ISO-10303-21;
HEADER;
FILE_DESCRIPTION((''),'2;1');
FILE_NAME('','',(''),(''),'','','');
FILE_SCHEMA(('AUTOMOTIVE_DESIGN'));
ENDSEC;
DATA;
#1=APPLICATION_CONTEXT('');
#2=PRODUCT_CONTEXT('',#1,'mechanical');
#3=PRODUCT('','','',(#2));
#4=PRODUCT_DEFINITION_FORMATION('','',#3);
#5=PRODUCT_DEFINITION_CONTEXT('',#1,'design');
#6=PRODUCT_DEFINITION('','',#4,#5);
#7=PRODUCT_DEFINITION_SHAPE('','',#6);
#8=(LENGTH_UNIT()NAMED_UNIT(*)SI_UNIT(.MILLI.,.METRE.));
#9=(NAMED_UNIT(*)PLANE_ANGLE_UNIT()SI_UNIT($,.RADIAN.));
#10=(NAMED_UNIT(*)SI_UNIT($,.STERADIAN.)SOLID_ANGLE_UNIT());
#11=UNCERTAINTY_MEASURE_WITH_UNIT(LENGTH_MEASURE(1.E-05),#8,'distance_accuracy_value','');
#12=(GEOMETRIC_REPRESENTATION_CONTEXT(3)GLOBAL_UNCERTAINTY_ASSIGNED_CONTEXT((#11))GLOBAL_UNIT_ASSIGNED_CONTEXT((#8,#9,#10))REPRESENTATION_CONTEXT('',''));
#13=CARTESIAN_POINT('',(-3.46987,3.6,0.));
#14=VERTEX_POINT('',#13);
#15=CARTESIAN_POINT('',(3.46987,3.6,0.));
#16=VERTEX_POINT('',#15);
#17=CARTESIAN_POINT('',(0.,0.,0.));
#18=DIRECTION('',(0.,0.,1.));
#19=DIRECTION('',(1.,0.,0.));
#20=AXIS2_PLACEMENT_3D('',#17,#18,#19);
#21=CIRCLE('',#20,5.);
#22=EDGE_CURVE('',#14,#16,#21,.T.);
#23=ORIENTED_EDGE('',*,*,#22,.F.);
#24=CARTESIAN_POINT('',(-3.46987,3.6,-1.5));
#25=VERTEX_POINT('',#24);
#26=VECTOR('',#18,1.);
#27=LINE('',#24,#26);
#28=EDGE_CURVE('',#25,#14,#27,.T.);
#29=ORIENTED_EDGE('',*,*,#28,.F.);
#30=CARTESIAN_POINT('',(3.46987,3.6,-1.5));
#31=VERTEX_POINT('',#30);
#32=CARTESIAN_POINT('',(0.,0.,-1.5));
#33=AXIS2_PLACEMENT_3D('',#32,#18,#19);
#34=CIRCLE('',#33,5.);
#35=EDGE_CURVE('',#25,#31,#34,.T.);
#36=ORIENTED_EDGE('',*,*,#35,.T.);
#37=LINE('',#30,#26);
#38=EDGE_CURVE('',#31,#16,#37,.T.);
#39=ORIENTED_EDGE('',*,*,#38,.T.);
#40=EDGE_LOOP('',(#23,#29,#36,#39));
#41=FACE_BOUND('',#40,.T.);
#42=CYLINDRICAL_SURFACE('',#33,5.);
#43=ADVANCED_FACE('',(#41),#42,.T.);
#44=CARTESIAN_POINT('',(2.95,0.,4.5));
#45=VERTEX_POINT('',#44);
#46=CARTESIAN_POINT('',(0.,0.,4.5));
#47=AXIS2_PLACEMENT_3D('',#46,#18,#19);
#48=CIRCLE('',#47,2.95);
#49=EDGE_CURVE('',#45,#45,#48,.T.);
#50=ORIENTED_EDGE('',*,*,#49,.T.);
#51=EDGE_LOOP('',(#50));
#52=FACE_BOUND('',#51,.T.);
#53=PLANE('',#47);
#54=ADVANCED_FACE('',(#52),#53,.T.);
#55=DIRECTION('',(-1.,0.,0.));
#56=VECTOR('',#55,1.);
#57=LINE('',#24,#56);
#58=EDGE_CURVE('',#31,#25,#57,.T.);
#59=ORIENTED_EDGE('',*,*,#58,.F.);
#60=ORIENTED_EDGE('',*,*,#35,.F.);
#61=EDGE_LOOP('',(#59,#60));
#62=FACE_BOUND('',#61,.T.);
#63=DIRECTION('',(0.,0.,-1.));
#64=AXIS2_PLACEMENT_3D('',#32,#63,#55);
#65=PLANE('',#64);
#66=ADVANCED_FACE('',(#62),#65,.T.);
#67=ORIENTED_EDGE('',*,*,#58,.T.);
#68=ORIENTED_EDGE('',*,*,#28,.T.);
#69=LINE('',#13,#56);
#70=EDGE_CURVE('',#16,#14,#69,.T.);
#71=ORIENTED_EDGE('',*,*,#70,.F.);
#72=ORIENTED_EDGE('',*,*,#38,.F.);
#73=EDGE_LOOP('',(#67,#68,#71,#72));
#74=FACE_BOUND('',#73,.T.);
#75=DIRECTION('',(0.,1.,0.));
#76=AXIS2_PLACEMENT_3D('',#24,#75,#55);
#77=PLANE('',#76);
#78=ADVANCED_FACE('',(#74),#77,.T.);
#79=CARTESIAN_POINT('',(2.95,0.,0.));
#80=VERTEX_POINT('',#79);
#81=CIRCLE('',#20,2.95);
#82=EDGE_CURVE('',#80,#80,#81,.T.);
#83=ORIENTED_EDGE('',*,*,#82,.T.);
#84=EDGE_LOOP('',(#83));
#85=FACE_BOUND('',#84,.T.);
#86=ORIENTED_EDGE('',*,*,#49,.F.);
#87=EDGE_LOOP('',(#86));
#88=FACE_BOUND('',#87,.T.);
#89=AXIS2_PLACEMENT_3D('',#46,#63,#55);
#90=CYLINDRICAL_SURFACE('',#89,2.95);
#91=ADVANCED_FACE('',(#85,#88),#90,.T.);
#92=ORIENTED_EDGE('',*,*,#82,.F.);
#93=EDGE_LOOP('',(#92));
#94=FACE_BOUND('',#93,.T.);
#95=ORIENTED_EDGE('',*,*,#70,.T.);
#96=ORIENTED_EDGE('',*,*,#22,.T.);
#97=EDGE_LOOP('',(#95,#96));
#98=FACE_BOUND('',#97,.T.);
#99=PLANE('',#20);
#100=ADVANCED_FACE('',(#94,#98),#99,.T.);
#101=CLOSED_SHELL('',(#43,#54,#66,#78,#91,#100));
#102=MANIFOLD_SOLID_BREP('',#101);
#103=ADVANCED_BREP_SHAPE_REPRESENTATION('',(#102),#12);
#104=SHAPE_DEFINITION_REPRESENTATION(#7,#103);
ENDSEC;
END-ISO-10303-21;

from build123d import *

# Parameters (mm, degrees)
SKETCH1_R           = 2.95
BOSS_EXTRUDE1_DEPTH = 4.5
SKETCH1_5_R         = 2.95
BOSS_EXTRUDE2_DEPTH = 1.5
BOSS_EXTRUDE3_START = 1.5
SKETCH3_R           = 2.95
BOSS_EXTRUDE3_DEPTH = 1.5


with BuildPart() as part:
    # Sketch1 → Boss-Extrude1 (new body)
    with BuildSketch(Plane.XY):
        Circle(SKETCH1_R)
    extrude(amount=BOSS_EXTRUDE1_DEPTH)


with BuildPart() as body_2:
    # Sketch1<5> → Boss-Extrude2 (new body)
    with BuildSketch(Plane.XY):
        with BuildLine():
            Line((-3.469870315, 3.6), (3.469870315, 3.6))
            ThreePointArc((3.469870315, 3.6), (0, -5), (-3.469870315, 3.6))
        make_face()
        Circle(SKETCH1_5_R, mode=Mode.SUBTRACT)
    extrude(amount=-BOSS_EXTRUDE2_DEPTH)


with BuildPart() as boss_extrude3_tool:
    # Sketch3 → Boss-Extrude3 (new body)
    with BuildSketch(Plane(origin=(0, 0, 0), x_dir=(-1, 0, 0), z_dir=(0, 0, -1)).offset(BOSS_EXTRUDE3_START)):
        Circle(SKETCH3_R)
    extrude(amount=-BOSS_EXTRUDE3_DEPTH)


with BuildPart() as part_1:
    add(part.part)


with BuildPart() as part_2:
    # Boss-Extrude3: joined with boss_extrude3_tool
    add(part_1.part.fuse(boss_extrude3_tool.part, body_2.part, tol=0.00001))


solid = part_2.part
